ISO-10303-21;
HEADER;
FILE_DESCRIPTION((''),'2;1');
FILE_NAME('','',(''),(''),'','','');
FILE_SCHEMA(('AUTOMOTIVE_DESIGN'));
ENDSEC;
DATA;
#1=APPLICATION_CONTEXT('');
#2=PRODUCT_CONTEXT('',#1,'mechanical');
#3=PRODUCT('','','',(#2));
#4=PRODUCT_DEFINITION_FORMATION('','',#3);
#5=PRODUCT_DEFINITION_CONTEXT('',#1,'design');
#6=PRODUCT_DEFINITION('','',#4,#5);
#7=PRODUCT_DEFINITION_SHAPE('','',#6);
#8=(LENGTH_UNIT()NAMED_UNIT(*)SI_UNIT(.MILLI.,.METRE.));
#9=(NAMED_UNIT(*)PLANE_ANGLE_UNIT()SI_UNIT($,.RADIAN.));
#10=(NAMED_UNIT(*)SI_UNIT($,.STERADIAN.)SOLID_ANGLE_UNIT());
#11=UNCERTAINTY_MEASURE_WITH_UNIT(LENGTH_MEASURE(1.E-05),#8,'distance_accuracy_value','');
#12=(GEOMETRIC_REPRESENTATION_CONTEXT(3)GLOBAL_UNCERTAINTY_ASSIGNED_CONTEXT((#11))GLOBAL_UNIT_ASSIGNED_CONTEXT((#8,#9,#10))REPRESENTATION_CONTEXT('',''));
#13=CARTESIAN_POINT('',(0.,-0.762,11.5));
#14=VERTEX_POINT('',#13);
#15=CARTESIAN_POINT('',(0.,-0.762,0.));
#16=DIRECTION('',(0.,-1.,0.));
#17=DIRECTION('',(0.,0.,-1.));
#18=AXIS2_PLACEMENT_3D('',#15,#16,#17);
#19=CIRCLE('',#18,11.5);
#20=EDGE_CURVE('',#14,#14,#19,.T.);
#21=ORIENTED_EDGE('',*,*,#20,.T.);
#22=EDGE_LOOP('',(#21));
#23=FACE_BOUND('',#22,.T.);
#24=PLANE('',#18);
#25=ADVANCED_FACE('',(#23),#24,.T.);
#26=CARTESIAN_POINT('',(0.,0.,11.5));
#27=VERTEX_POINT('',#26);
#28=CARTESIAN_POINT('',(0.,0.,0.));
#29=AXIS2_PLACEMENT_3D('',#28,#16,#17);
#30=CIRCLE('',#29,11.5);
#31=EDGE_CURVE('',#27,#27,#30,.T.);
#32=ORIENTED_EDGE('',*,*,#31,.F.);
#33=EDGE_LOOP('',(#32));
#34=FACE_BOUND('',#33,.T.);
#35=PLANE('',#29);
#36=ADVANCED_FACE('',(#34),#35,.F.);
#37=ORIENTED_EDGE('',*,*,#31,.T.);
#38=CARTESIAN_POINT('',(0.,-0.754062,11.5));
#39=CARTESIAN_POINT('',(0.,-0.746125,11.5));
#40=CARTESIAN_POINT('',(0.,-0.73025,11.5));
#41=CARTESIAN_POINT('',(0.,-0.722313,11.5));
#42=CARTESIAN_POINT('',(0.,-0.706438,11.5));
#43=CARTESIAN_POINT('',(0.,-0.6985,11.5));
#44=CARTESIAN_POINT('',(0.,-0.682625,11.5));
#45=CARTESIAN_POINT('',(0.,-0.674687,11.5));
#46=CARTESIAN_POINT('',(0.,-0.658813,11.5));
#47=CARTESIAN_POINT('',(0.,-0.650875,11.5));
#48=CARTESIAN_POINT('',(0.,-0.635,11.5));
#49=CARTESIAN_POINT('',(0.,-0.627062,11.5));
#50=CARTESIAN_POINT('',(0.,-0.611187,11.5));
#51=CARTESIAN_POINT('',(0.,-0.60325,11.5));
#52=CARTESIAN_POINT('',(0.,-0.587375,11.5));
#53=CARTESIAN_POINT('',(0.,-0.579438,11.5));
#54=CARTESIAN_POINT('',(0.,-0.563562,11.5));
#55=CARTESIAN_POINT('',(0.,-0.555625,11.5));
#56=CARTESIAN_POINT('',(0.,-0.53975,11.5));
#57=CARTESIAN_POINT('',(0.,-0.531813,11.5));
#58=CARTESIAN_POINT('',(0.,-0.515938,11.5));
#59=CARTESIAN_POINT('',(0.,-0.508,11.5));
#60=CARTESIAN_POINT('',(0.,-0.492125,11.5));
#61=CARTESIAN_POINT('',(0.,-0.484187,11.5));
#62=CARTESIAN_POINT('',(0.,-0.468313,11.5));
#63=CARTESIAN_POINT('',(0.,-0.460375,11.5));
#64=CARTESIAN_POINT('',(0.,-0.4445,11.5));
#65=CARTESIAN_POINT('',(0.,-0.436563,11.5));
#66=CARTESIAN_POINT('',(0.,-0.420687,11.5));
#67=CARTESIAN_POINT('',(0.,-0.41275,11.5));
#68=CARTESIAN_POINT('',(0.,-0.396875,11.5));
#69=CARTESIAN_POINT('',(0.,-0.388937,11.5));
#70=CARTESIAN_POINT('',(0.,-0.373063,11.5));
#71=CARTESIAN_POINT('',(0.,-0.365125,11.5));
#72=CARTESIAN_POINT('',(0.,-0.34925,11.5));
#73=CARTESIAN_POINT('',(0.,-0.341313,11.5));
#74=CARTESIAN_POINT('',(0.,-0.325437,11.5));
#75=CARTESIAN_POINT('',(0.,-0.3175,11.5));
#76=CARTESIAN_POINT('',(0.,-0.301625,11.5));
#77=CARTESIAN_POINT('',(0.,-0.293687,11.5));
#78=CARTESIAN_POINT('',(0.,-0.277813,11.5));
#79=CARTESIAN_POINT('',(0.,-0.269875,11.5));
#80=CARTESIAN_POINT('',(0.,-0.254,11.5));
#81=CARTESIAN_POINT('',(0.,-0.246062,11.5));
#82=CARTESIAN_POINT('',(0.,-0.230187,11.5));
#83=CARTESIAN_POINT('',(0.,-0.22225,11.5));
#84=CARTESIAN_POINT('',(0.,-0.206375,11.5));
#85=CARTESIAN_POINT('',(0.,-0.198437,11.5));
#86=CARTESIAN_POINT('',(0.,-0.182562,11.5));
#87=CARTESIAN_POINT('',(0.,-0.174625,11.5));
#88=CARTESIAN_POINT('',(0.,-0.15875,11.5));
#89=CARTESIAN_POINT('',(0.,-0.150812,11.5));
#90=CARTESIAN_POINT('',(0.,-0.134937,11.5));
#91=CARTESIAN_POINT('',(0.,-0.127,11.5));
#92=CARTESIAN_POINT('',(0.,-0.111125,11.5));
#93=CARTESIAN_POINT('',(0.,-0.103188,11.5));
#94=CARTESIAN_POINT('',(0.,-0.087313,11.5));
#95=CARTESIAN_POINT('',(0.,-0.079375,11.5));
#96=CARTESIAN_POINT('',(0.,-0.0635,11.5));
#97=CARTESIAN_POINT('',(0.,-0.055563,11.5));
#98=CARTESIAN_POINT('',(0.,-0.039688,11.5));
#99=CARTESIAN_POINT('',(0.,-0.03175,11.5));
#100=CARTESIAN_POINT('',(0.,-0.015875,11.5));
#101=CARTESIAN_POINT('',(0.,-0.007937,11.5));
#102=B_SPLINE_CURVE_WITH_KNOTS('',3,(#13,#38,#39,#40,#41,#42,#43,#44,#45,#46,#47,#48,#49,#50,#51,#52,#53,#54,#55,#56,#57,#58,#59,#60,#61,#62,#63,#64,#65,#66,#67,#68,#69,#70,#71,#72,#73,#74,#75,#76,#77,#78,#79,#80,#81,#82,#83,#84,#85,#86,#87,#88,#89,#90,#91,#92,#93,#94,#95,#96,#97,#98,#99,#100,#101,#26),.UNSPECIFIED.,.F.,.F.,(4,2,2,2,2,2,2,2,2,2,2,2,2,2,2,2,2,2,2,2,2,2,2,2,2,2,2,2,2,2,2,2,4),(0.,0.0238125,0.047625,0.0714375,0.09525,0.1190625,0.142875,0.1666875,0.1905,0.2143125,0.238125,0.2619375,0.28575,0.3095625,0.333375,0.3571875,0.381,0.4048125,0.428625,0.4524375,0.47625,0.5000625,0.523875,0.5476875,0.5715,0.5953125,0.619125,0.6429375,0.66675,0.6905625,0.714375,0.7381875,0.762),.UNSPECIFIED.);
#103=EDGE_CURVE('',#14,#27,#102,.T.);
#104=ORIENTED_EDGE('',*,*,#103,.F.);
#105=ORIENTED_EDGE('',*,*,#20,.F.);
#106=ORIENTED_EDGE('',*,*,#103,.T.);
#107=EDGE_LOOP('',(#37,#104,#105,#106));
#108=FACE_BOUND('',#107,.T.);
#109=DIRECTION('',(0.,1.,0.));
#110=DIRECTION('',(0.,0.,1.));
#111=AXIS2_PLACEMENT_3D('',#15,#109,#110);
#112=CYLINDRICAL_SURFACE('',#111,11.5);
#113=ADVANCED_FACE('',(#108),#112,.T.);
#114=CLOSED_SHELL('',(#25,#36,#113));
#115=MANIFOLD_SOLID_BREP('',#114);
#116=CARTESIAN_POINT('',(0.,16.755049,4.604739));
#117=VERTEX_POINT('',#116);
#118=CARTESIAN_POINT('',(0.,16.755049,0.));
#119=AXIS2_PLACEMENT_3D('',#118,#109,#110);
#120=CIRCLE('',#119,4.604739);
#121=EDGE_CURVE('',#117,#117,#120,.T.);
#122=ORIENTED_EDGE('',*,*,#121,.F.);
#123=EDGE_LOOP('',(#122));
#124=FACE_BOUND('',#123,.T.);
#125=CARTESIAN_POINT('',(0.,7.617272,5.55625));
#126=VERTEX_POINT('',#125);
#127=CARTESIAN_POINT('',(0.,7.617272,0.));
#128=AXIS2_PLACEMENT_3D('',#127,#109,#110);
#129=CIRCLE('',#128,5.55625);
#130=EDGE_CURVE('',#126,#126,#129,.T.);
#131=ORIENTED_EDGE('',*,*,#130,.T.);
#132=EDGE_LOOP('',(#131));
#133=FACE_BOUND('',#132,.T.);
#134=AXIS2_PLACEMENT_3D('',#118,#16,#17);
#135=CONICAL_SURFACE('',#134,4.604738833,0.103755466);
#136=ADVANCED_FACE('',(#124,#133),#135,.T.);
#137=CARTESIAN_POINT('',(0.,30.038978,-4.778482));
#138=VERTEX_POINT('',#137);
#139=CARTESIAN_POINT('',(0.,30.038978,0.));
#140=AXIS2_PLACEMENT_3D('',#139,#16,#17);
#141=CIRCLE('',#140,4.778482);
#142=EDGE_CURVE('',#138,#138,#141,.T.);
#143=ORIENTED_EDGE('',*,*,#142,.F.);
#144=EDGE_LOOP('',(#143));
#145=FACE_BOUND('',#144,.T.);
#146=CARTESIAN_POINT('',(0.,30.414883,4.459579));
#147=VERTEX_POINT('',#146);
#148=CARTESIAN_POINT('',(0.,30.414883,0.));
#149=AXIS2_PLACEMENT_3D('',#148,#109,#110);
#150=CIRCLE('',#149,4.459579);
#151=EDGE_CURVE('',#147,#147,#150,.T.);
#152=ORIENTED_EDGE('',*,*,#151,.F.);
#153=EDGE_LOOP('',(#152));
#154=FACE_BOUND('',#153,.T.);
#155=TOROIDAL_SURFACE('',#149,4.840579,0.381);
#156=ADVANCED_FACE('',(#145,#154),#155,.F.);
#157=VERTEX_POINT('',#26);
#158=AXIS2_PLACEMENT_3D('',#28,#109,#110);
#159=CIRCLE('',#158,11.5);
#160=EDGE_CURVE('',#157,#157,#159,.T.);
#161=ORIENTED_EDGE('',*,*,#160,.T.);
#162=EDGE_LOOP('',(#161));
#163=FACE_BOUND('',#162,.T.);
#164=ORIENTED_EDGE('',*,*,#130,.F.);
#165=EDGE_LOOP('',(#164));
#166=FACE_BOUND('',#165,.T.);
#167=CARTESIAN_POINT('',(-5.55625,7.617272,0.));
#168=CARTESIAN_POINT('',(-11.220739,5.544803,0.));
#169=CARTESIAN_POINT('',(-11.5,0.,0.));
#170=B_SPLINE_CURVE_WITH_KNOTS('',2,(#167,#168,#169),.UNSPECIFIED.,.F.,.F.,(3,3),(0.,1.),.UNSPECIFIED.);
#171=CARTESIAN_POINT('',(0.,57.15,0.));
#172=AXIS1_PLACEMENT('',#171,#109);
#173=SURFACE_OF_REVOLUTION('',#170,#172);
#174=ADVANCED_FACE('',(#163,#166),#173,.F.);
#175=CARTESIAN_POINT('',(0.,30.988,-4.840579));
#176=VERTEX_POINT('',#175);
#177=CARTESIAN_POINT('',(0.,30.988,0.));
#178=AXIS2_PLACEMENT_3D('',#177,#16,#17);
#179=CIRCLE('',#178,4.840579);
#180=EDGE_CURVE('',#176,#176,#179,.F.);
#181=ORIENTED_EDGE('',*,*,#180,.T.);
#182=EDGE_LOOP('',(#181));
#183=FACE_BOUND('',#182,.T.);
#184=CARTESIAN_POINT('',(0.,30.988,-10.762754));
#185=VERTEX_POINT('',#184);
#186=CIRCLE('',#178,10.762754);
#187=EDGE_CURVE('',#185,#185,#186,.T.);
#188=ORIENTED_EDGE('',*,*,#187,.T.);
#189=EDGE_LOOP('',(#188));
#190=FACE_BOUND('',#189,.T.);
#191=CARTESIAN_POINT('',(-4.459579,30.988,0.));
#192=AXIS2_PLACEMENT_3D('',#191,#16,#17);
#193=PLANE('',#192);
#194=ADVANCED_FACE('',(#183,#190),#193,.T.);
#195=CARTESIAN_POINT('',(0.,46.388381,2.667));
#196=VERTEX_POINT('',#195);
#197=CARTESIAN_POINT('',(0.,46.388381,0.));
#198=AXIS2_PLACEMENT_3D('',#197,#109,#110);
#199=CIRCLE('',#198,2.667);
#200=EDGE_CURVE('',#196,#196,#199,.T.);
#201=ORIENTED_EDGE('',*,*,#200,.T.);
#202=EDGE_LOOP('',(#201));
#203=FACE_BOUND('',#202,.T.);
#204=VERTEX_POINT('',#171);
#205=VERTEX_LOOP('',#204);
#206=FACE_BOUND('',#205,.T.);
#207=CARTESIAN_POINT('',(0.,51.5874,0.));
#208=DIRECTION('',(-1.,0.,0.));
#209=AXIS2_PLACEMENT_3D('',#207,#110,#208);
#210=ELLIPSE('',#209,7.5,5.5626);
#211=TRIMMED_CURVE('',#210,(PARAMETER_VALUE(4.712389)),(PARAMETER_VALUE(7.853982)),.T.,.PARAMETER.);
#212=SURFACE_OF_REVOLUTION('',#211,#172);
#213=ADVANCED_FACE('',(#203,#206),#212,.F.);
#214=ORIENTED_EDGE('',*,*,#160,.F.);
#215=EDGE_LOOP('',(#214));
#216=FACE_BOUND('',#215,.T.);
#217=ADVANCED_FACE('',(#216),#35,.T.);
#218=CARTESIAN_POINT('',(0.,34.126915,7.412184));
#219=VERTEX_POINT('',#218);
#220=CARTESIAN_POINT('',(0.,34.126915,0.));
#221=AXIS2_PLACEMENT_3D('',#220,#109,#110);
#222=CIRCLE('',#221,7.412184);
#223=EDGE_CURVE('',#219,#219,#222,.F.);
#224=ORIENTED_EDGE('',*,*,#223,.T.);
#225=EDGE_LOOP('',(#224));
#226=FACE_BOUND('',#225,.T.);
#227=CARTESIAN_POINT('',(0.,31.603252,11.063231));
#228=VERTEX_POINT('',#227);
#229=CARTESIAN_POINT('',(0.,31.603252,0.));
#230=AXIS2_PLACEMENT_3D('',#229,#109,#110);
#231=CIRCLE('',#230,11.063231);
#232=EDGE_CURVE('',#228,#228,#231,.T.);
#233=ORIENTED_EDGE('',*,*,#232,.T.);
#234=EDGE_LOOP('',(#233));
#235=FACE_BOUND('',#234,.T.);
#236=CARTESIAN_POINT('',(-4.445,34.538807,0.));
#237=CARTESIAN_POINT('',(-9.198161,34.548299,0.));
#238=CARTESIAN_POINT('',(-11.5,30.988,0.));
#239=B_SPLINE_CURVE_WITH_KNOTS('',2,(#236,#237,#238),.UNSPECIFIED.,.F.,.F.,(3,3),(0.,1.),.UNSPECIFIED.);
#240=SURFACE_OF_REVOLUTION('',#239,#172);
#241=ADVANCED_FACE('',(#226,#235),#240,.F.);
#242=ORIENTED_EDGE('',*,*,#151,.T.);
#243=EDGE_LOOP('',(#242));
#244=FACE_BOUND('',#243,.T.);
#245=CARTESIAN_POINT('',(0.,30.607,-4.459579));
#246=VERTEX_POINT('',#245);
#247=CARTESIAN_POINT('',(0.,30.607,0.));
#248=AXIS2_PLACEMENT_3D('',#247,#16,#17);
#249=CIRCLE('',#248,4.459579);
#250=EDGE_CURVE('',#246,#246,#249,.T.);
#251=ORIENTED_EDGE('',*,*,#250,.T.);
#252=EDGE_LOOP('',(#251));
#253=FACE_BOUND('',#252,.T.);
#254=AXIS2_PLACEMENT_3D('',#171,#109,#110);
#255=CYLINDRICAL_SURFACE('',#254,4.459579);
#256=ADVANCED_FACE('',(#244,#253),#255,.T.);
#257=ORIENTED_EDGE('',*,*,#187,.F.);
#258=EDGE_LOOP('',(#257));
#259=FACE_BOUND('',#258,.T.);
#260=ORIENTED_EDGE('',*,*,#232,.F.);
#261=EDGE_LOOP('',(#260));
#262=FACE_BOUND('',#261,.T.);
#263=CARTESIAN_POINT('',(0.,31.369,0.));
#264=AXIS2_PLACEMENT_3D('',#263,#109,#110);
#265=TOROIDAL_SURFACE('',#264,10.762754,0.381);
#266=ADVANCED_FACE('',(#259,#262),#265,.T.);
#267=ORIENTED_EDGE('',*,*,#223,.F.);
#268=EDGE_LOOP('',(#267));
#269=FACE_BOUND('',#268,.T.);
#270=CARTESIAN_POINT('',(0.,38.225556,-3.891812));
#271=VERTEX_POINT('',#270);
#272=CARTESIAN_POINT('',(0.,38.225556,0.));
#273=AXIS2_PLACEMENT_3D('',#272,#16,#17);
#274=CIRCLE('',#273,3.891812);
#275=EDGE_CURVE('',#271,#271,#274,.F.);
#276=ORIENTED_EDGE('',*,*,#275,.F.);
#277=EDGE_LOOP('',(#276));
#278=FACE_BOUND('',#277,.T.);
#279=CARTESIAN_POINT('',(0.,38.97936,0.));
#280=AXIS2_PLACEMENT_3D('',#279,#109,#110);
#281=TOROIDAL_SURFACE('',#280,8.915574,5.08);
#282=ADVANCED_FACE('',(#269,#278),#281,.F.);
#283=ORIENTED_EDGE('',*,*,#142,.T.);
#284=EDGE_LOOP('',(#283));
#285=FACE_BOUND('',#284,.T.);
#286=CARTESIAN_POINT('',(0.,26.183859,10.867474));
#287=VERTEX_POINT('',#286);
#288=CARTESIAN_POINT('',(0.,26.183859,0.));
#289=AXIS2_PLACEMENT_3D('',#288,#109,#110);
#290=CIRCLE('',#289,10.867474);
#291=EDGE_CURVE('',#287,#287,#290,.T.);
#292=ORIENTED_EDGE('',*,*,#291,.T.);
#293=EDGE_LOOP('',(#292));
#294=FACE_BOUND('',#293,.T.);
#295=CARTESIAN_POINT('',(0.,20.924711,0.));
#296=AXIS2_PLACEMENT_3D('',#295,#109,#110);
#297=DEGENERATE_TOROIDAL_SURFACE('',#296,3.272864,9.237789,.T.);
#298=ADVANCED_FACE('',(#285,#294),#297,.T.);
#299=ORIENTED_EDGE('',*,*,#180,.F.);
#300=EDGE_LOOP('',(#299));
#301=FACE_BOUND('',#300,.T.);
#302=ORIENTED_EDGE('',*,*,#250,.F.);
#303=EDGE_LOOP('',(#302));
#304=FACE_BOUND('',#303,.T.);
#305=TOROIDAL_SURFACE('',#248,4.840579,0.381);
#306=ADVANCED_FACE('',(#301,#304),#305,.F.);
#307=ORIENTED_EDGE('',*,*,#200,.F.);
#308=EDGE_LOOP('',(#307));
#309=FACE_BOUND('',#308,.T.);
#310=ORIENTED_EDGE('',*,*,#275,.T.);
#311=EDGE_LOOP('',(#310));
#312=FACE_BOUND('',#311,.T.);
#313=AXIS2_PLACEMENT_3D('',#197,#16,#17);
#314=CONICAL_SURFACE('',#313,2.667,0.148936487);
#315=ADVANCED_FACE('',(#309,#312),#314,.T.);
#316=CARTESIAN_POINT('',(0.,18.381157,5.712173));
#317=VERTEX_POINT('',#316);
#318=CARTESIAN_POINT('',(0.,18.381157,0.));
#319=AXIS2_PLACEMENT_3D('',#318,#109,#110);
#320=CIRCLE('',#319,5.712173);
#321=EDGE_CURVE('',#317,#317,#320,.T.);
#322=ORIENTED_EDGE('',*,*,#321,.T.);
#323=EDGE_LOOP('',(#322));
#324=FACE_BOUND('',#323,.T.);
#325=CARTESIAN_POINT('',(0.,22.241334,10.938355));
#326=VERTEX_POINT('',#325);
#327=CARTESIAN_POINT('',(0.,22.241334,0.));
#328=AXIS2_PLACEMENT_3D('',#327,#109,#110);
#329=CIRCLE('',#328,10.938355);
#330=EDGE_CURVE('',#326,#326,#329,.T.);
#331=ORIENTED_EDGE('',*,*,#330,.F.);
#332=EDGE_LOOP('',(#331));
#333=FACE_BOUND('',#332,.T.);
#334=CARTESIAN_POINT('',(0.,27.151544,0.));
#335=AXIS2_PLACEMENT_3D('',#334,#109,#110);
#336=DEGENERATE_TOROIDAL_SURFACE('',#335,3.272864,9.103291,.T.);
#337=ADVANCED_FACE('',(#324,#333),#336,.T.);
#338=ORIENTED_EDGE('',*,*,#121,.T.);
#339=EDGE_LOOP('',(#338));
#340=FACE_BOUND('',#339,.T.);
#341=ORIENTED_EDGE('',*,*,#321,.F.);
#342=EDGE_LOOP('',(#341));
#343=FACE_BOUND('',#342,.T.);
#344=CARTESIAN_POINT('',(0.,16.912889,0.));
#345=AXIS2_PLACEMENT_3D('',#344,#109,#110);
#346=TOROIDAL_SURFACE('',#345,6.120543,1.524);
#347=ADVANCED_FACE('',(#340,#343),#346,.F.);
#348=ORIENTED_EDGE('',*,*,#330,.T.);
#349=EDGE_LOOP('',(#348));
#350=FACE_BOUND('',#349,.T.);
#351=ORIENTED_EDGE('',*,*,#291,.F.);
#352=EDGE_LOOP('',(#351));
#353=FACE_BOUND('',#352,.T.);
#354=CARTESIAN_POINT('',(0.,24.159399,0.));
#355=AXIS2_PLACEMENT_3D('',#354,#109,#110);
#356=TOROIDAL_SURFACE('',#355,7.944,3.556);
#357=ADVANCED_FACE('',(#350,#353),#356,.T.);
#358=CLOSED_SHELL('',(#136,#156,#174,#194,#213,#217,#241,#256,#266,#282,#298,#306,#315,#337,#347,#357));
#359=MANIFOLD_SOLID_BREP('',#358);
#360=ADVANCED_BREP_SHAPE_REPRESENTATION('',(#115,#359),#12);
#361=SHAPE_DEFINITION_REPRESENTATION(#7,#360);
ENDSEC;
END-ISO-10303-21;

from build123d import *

# Parameters (mm, degrees)
SKETCH2_R           = 11.5
BOSS_EXTRUDE1_DEPTH = 0.762
FILLET3_R           = 0.381
FILLET4_R           = 5.08


with BuildPart() as part:
    # Sketch1 → Revolve2 (revolve)
    with BuildSketch(Plane.XY, mode=Mode.PRIVATE) as revolve2_sk:
        with BuildLine():
            Line((0, 0), (-11.5, 0))
            add(Edge.make_bspline(
                [(-11.5, 0), (-11.220739293, 5.544803256), (-5.55625, 7.617272324)],
                knots=[0, 0, 0, 1, 1, 1], degree=2))
            Line((-5.55625, 7.617272324), (-4.604738833, 16.755049343))
            ThreePointArc((-4.604738833, 16.755049343), (-4.860913091, 17.770740051), (-5.712173428, 18.381156877))
            ThreePointArc((-5.712173428, 18.381156877), (-8.681375024, 19.829117799), (-10.938355217, 22.241334491))
            ThreePointArc((-10.938355217, 22.241334491), (-11.499425433, 24.22332109), (-10.867473973, 26.183858775))
            ThreePointArc((-10.867473973, 26.183858775), (-8.077498361, 28.814719176), (-4.459578874, 30.085958312))
            Line((-4.459578874, 30.085958312), (-4.459578874, 30.988))
            Line((-4.459578874, 30.988), (-11.5, 30.988))
            add(Edge.make_bspline(
                [(-11.5, 30.988), (-9.198161091, 34.54829933), (-4.445, 34.538807228)],
                knots=[0, 0, 0, 1, 1, 1], degree=2))
            Line((-4.445, 34.538807228), (-2.667, 46.388381325))
            add(Edge.make_bspline(
                [(0, 57.15), (-6.247089077, 57.15), (-7.376428709, 52.592998697), (-8.505768341, 48.035997394), (-2.667, 46.388381325)],
                knots=[1.570796327, 1.570796327, 1.570796327, 2.959814679, 2.959814679, 4.348833032, 4.348833032, 4.348833032], degree=2, weights=[1, 0.768367926, 1, 0.768367926, 1]))
            Line((0, 57.15), (0, 0))
        make_face()
    revolve(revolve2_sk.sketch.rotate(Axis((0, 57.15, 0), (0, -1, 0)), 270), axis=Axis((0, 57.15, 0), (0, -1, 0)))

    # Fillet3
    fillet3_edges = [part.edges().sort_by_distance(p)[0] for p in [
        (0, 30.085958312, -4.459578874),
        (0, 30.988, -4.459578874),
        (0, 30.988, -11.5),
    ]]
    fillet(fillet3_edges, radius=FILLET3_R)

    # Fillet4
    fillet4_edges = [part.edges().sort_by_distance(p)[0] for p in [
        (0, 34.538807228, -4.445),
    ]]
    fillet(fillet4_edges, radius=FILLET4_R)


with BuildPart() as body_2:
    # Sketch2 → Boss-Extrude1 (new body)
    with BuildSketch(Plane.XZ):
        with Locations(Location((0, 0, 0), (0, 0, 90))):
            Circle(SKETCH2_R)
    extrude(amount=BOSS_EXTRUDE1_DEPTH)


solid = Compound([part.part, body_2.part])
